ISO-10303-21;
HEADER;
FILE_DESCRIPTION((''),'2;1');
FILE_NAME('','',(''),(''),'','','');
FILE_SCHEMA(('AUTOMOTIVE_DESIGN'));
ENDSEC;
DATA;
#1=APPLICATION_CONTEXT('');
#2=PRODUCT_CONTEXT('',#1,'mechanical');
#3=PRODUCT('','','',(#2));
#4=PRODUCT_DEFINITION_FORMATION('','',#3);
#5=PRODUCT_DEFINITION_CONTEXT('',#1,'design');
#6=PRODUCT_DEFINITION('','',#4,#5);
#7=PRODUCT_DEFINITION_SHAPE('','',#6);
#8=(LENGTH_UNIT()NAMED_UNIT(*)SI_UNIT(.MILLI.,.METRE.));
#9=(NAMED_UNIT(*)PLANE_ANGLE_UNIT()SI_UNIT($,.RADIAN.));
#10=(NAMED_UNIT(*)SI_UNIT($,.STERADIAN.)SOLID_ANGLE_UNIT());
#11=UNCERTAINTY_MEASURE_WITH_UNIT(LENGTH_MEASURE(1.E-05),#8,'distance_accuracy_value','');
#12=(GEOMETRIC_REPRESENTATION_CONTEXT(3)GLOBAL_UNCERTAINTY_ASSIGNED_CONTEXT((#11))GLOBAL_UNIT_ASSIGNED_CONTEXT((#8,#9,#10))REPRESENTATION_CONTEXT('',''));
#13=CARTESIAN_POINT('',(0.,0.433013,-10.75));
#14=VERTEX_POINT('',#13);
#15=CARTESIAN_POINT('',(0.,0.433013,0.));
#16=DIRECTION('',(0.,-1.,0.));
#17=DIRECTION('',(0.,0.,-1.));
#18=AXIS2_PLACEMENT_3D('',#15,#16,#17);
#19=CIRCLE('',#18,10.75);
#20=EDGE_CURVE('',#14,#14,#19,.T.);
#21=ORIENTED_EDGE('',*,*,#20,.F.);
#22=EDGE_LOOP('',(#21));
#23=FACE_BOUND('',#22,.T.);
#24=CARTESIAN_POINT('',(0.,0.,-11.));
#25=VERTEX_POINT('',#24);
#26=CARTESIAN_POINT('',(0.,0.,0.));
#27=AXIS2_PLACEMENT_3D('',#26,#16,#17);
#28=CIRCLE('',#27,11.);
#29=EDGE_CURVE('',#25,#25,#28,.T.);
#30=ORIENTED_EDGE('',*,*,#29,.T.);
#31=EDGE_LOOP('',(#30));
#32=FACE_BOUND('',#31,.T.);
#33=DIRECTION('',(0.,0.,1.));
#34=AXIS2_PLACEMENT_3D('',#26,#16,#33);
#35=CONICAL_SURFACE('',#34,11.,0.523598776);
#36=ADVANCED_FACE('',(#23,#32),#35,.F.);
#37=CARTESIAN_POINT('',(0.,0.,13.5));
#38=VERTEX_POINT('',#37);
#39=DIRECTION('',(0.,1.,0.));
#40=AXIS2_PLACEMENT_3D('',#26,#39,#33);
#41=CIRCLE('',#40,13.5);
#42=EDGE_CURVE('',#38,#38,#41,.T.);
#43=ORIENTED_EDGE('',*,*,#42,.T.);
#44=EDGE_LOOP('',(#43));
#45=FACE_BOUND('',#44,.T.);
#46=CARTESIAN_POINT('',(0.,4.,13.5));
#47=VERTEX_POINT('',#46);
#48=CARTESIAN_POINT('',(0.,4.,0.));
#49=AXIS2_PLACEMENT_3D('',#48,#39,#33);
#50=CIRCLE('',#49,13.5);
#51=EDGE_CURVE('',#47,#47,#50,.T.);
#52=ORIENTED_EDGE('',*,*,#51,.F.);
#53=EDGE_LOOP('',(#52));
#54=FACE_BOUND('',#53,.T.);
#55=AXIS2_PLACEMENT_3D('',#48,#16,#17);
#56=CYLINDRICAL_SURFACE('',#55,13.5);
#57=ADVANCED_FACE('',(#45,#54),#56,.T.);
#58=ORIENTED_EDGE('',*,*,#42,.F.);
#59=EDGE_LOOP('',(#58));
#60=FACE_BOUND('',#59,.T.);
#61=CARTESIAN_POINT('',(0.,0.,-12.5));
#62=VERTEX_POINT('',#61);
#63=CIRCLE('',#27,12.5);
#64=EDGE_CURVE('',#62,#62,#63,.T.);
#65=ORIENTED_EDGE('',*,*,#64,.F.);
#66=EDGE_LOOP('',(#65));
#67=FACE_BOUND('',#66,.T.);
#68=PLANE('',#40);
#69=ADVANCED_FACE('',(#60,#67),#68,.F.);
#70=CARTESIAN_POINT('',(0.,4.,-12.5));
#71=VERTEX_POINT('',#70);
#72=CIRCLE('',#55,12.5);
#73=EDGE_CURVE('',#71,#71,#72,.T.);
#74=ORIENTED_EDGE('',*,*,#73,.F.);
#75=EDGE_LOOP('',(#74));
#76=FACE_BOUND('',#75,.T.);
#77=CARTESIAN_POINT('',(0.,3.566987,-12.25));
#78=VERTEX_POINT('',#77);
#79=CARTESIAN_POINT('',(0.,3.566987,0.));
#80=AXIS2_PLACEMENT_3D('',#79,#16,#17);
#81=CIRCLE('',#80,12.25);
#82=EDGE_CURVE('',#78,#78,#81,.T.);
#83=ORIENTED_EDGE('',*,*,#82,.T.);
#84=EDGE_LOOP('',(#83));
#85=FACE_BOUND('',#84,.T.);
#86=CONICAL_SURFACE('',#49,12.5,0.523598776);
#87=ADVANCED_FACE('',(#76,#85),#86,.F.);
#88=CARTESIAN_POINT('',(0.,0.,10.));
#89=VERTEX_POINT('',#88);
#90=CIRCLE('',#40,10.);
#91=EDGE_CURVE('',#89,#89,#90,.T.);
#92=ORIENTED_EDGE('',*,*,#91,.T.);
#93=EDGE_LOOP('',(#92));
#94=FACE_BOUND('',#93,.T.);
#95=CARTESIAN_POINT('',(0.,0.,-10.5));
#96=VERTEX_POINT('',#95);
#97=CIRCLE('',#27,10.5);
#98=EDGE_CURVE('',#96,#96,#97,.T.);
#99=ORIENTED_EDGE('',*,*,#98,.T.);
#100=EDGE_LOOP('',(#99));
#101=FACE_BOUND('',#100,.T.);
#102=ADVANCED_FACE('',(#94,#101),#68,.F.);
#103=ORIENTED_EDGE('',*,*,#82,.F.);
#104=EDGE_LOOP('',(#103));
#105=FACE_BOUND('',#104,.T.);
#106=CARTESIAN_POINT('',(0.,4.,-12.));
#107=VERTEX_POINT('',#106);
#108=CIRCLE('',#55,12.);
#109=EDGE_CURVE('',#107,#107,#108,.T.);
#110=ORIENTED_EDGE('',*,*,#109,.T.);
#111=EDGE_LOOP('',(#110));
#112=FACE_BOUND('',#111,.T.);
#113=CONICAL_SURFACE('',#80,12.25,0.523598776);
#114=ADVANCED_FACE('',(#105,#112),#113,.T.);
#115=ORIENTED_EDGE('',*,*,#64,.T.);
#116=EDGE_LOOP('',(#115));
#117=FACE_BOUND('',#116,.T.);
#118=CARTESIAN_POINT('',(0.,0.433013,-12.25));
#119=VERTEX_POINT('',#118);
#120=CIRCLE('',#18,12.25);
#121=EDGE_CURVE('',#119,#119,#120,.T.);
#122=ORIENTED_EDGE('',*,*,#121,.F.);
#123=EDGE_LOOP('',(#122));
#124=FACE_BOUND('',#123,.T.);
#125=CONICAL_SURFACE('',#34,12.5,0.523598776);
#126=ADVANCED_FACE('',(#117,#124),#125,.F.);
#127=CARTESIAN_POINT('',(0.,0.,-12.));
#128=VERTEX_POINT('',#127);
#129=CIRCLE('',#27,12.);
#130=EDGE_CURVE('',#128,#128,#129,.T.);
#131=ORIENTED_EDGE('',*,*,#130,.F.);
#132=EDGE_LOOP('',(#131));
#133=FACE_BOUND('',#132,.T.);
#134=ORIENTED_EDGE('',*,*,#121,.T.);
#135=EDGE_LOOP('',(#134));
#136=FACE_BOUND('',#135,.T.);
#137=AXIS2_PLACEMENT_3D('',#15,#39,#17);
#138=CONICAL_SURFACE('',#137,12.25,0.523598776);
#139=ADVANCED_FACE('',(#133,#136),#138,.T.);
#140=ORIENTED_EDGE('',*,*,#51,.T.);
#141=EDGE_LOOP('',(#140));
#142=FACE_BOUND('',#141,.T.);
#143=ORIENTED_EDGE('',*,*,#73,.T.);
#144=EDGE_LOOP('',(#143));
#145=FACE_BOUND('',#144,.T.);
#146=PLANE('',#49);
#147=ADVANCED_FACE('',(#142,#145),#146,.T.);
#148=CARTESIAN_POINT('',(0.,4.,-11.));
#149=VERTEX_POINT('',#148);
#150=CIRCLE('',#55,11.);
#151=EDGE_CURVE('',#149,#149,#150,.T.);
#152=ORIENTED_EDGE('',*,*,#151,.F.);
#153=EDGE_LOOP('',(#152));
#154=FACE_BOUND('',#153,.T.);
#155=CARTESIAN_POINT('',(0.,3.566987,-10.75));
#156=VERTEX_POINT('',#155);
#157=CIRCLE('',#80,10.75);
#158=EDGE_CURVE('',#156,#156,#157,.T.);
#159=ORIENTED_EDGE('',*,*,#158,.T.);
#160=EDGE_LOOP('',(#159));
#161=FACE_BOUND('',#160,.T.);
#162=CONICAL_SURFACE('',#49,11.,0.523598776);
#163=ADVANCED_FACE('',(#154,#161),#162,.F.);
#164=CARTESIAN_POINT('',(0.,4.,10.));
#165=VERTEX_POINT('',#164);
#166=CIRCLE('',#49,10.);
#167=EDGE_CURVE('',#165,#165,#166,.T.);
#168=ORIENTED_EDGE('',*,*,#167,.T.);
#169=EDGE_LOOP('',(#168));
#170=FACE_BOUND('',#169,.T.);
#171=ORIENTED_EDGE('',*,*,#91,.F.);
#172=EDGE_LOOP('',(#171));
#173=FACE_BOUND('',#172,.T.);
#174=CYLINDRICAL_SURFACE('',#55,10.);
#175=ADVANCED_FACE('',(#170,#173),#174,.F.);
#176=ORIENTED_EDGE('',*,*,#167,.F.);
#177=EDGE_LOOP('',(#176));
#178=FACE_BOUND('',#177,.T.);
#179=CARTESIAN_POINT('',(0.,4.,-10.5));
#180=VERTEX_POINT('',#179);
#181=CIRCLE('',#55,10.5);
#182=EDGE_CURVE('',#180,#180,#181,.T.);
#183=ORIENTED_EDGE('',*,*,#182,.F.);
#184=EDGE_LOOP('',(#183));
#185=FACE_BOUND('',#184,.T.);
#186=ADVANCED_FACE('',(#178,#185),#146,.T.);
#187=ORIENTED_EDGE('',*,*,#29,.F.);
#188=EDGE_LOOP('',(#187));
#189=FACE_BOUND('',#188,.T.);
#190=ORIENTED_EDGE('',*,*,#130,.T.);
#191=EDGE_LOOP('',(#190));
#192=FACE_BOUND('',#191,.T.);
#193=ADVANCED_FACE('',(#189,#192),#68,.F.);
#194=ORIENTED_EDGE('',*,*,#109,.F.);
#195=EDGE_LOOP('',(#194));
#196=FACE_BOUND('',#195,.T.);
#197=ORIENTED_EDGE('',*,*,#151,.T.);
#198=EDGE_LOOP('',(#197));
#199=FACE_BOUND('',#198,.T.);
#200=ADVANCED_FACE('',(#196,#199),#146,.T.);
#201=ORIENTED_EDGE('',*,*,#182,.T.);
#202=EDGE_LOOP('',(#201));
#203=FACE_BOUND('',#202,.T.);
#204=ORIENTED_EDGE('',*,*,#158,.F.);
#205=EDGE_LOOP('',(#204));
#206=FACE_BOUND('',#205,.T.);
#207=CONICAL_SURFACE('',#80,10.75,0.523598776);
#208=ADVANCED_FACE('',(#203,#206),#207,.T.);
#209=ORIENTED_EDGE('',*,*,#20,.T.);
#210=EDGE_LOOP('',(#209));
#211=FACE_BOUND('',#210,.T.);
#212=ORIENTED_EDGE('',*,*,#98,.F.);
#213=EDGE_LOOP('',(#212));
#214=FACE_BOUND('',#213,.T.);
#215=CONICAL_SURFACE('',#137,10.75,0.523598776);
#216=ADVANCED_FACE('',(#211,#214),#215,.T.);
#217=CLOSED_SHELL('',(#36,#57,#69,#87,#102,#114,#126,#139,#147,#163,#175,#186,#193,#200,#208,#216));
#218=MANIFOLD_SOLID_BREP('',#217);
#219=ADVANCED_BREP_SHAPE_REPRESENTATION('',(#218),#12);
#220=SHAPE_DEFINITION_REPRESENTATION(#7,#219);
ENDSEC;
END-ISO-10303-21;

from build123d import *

# Parameters (mm, degrees)
SKETCH_1_R      = 13.5
SKETCH_1_R_2    = 10
EXTRUDE_1_DEPTH = 4


with BuildPart() as part:
    # 草图1 → 凸台-拉伸1 (new body)
    with BuildSketch(Plane(origin=(0, 0, 0), x_dir=(1, 0, 0), z_dir=(0, 1, 0))):
        with Locations(Location((0, 0, 0), (0, 0, 270))):
            Circle(SKETCH_1_R)
        with Locations(Location((0, 0, 0), (0, 0, 270))):
            Circle(SKETCH_1_R_2, mode=Mode.SUBTRACT)
    extrude(amount=EXTRUDE_1_DEPTH)

    # 草图3 → 切除-旋转1 (revolve, cut)
    with BuildSketch(Plane.XY, mode=Mode.PRIVATE) as cut_revolve_1_sk:
        Polygon((-12.25, 3.566987298), (-12, 4), (-12.5, 4), align=None)
        Polygon((-10.75, 3.566987298), (-10.5, 4), (-11, 4), align=None)
    cut_revolve_1 = revolve(cut_revolve_1_sk.sketch.rotate(Axis((0, 4, 0), (0, 1, 0)), 270), axis=Axis((0, 4, 0), (0, 1, 0)), mode=Mode.SUBTRACT)

    # 镜向1: 切除-旋转1 across plane
    add(cut_revolve_1.mirror(Plane.ZX.offset(2)), mode=Mode.SUBTRACT)


solid = part.part
